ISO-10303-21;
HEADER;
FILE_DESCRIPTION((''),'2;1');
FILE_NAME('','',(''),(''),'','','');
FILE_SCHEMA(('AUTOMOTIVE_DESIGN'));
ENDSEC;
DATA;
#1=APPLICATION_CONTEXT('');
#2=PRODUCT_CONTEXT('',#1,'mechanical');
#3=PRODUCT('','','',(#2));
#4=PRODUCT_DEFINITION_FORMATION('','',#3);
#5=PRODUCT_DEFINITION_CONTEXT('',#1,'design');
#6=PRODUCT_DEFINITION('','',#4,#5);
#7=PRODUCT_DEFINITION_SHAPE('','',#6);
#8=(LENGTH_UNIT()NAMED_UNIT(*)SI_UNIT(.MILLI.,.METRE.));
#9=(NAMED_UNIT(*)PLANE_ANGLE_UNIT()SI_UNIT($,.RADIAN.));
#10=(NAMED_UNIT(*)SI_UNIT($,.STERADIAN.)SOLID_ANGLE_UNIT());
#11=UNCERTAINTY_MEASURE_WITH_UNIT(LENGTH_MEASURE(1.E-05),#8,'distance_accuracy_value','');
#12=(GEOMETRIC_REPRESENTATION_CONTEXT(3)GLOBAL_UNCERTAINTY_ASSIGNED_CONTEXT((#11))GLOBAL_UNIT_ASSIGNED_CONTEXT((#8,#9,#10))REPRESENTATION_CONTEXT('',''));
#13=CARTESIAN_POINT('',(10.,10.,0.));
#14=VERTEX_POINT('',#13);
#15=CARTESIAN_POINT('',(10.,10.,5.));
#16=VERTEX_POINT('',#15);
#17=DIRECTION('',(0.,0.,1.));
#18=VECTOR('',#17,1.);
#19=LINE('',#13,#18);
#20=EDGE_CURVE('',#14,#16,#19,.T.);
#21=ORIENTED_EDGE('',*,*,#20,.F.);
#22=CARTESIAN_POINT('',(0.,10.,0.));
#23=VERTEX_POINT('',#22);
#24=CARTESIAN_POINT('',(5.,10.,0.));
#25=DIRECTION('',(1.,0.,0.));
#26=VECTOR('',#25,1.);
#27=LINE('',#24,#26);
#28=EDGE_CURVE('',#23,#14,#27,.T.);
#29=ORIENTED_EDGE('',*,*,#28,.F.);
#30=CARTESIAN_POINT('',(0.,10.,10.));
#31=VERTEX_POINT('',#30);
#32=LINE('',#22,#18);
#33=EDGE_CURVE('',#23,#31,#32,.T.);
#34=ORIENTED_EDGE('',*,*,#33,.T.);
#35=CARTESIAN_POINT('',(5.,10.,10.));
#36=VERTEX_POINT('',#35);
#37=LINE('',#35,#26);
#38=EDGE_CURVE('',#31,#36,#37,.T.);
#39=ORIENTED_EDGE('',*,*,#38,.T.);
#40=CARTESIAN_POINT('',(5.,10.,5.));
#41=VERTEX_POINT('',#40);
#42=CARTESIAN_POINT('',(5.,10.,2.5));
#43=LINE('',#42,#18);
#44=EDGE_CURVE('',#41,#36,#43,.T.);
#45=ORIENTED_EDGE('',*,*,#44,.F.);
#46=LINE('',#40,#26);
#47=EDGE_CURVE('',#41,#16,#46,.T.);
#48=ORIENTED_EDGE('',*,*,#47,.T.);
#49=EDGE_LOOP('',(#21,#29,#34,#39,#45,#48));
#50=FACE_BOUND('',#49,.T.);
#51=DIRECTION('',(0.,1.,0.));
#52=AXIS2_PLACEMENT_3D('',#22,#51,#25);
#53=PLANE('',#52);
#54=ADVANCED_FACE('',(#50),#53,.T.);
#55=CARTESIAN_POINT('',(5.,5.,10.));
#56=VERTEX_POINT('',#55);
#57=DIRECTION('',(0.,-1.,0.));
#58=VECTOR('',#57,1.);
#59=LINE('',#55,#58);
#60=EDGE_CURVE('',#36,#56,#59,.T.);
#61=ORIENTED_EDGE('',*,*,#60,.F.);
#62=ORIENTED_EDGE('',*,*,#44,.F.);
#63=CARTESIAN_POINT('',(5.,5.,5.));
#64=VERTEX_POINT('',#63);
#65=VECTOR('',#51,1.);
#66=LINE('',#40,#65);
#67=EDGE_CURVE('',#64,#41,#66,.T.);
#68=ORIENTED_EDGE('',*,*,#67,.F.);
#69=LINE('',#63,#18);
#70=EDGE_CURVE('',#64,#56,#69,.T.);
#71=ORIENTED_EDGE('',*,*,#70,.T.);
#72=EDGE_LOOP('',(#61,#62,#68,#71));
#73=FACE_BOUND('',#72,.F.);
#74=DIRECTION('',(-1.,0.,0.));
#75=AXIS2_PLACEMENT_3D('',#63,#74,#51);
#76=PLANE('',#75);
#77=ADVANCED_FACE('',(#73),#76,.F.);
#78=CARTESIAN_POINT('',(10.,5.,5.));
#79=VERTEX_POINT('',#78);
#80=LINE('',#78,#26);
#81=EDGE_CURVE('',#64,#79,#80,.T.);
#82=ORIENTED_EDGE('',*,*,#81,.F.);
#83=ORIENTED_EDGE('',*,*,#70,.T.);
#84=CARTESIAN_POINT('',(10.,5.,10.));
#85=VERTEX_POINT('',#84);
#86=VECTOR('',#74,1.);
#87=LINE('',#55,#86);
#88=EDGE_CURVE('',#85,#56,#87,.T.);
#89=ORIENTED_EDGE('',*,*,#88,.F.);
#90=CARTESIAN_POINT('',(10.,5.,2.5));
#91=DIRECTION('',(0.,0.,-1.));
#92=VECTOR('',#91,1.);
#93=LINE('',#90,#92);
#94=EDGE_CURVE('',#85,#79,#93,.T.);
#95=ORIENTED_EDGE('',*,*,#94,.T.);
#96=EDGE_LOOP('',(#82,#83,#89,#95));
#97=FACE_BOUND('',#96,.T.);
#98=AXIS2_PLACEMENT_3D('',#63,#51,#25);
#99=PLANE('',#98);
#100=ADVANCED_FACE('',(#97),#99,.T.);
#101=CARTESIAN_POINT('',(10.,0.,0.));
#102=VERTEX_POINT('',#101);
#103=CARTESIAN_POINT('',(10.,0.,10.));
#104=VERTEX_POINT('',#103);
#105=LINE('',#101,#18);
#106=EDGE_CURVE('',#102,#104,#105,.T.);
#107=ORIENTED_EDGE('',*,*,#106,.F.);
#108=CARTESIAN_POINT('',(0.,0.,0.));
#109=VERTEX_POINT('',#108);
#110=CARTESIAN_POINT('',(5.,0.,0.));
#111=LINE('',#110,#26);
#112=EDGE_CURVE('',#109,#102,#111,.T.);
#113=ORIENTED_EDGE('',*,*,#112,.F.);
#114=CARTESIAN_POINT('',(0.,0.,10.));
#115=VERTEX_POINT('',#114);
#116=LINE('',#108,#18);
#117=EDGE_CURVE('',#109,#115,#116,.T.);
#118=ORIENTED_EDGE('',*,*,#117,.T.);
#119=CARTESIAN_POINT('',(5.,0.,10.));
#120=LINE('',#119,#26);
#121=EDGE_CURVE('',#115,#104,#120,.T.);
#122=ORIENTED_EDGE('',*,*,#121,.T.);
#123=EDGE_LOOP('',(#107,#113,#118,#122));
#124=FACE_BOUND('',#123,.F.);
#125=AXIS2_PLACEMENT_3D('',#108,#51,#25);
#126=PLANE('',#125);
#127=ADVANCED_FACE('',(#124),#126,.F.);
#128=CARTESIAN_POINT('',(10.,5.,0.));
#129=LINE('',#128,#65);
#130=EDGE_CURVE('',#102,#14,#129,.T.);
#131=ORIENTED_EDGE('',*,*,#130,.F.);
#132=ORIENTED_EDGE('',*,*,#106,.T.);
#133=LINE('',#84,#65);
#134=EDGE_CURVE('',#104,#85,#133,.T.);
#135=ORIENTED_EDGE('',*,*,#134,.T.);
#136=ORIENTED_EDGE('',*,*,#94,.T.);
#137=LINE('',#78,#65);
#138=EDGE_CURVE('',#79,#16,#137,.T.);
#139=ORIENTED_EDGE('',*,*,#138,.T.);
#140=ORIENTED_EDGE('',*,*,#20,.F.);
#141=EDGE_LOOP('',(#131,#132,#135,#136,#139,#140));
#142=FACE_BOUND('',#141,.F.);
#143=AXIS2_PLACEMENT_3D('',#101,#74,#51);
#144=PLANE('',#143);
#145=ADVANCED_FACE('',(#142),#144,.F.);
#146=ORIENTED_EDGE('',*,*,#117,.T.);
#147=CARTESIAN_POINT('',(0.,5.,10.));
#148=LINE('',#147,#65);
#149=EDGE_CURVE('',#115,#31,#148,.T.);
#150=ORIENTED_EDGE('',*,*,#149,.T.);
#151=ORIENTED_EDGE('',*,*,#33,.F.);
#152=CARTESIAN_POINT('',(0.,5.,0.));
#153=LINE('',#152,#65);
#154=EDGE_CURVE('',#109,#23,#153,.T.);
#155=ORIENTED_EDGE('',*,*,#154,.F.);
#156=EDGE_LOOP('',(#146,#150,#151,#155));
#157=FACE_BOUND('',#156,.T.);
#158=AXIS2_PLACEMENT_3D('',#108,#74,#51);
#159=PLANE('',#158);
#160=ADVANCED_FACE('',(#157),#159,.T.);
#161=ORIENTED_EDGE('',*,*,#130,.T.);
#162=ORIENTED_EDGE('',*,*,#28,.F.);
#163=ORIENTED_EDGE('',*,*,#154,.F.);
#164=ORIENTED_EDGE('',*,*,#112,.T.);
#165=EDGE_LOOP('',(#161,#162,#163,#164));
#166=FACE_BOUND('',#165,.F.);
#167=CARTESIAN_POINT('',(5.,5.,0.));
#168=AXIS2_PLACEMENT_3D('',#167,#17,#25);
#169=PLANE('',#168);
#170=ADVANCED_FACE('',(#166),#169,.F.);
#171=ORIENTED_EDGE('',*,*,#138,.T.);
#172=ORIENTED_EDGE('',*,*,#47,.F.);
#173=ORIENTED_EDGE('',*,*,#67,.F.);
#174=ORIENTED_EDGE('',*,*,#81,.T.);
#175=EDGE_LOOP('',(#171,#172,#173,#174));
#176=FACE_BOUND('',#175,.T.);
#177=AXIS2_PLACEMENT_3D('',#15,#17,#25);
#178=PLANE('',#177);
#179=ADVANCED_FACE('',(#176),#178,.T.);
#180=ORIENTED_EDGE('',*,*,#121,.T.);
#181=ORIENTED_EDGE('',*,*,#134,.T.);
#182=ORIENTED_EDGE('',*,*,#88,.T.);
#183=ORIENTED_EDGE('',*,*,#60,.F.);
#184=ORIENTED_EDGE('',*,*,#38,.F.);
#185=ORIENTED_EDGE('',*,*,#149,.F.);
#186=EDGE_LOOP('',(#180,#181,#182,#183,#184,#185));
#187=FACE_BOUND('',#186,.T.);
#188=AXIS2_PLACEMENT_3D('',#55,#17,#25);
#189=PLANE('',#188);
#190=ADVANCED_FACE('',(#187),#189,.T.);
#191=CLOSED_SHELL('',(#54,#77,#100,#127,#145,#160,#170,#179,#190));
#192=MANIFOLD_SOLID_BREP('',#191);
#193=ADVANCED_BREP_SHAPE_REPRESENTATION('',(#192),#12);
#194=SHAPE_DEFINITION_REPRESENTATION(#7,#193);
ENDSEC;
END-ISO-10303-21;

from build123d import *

# Parameters (mm, degrees)
BOX001_W     = 10
BOX001_H     = 10
BOX001_DEPTH = 10
BOX_W        = 10
BOX_H        = 10
BOX_DEPTH    = 10


with BuildPart() as cubo_resta:
    # Box001 → Box001 (new body)
    with BuildSketch(Plane(origin=(5, 5, 5), x_dir=(1, 0, 0), z_dir=(0, 0, 1))):
        with Locations((5, 5)):
            Rectangle(BOX001_W, BOX001_H)
    extrude(amount=BOX001_DEPTH)


with BuildPart() as cut:
    # Box → Box (new body)
    with BuildSketch(Plane.XY):
        with Locations((5, 5)):
            Rectangle(BOX_W, BOX_H)
    extrude(amount=BOX_DEPTH)

    # Cut: cut cubo-resta
    add(cubo_resta.part, mode=Mode.SUBTRACT)


solid = cut.part
